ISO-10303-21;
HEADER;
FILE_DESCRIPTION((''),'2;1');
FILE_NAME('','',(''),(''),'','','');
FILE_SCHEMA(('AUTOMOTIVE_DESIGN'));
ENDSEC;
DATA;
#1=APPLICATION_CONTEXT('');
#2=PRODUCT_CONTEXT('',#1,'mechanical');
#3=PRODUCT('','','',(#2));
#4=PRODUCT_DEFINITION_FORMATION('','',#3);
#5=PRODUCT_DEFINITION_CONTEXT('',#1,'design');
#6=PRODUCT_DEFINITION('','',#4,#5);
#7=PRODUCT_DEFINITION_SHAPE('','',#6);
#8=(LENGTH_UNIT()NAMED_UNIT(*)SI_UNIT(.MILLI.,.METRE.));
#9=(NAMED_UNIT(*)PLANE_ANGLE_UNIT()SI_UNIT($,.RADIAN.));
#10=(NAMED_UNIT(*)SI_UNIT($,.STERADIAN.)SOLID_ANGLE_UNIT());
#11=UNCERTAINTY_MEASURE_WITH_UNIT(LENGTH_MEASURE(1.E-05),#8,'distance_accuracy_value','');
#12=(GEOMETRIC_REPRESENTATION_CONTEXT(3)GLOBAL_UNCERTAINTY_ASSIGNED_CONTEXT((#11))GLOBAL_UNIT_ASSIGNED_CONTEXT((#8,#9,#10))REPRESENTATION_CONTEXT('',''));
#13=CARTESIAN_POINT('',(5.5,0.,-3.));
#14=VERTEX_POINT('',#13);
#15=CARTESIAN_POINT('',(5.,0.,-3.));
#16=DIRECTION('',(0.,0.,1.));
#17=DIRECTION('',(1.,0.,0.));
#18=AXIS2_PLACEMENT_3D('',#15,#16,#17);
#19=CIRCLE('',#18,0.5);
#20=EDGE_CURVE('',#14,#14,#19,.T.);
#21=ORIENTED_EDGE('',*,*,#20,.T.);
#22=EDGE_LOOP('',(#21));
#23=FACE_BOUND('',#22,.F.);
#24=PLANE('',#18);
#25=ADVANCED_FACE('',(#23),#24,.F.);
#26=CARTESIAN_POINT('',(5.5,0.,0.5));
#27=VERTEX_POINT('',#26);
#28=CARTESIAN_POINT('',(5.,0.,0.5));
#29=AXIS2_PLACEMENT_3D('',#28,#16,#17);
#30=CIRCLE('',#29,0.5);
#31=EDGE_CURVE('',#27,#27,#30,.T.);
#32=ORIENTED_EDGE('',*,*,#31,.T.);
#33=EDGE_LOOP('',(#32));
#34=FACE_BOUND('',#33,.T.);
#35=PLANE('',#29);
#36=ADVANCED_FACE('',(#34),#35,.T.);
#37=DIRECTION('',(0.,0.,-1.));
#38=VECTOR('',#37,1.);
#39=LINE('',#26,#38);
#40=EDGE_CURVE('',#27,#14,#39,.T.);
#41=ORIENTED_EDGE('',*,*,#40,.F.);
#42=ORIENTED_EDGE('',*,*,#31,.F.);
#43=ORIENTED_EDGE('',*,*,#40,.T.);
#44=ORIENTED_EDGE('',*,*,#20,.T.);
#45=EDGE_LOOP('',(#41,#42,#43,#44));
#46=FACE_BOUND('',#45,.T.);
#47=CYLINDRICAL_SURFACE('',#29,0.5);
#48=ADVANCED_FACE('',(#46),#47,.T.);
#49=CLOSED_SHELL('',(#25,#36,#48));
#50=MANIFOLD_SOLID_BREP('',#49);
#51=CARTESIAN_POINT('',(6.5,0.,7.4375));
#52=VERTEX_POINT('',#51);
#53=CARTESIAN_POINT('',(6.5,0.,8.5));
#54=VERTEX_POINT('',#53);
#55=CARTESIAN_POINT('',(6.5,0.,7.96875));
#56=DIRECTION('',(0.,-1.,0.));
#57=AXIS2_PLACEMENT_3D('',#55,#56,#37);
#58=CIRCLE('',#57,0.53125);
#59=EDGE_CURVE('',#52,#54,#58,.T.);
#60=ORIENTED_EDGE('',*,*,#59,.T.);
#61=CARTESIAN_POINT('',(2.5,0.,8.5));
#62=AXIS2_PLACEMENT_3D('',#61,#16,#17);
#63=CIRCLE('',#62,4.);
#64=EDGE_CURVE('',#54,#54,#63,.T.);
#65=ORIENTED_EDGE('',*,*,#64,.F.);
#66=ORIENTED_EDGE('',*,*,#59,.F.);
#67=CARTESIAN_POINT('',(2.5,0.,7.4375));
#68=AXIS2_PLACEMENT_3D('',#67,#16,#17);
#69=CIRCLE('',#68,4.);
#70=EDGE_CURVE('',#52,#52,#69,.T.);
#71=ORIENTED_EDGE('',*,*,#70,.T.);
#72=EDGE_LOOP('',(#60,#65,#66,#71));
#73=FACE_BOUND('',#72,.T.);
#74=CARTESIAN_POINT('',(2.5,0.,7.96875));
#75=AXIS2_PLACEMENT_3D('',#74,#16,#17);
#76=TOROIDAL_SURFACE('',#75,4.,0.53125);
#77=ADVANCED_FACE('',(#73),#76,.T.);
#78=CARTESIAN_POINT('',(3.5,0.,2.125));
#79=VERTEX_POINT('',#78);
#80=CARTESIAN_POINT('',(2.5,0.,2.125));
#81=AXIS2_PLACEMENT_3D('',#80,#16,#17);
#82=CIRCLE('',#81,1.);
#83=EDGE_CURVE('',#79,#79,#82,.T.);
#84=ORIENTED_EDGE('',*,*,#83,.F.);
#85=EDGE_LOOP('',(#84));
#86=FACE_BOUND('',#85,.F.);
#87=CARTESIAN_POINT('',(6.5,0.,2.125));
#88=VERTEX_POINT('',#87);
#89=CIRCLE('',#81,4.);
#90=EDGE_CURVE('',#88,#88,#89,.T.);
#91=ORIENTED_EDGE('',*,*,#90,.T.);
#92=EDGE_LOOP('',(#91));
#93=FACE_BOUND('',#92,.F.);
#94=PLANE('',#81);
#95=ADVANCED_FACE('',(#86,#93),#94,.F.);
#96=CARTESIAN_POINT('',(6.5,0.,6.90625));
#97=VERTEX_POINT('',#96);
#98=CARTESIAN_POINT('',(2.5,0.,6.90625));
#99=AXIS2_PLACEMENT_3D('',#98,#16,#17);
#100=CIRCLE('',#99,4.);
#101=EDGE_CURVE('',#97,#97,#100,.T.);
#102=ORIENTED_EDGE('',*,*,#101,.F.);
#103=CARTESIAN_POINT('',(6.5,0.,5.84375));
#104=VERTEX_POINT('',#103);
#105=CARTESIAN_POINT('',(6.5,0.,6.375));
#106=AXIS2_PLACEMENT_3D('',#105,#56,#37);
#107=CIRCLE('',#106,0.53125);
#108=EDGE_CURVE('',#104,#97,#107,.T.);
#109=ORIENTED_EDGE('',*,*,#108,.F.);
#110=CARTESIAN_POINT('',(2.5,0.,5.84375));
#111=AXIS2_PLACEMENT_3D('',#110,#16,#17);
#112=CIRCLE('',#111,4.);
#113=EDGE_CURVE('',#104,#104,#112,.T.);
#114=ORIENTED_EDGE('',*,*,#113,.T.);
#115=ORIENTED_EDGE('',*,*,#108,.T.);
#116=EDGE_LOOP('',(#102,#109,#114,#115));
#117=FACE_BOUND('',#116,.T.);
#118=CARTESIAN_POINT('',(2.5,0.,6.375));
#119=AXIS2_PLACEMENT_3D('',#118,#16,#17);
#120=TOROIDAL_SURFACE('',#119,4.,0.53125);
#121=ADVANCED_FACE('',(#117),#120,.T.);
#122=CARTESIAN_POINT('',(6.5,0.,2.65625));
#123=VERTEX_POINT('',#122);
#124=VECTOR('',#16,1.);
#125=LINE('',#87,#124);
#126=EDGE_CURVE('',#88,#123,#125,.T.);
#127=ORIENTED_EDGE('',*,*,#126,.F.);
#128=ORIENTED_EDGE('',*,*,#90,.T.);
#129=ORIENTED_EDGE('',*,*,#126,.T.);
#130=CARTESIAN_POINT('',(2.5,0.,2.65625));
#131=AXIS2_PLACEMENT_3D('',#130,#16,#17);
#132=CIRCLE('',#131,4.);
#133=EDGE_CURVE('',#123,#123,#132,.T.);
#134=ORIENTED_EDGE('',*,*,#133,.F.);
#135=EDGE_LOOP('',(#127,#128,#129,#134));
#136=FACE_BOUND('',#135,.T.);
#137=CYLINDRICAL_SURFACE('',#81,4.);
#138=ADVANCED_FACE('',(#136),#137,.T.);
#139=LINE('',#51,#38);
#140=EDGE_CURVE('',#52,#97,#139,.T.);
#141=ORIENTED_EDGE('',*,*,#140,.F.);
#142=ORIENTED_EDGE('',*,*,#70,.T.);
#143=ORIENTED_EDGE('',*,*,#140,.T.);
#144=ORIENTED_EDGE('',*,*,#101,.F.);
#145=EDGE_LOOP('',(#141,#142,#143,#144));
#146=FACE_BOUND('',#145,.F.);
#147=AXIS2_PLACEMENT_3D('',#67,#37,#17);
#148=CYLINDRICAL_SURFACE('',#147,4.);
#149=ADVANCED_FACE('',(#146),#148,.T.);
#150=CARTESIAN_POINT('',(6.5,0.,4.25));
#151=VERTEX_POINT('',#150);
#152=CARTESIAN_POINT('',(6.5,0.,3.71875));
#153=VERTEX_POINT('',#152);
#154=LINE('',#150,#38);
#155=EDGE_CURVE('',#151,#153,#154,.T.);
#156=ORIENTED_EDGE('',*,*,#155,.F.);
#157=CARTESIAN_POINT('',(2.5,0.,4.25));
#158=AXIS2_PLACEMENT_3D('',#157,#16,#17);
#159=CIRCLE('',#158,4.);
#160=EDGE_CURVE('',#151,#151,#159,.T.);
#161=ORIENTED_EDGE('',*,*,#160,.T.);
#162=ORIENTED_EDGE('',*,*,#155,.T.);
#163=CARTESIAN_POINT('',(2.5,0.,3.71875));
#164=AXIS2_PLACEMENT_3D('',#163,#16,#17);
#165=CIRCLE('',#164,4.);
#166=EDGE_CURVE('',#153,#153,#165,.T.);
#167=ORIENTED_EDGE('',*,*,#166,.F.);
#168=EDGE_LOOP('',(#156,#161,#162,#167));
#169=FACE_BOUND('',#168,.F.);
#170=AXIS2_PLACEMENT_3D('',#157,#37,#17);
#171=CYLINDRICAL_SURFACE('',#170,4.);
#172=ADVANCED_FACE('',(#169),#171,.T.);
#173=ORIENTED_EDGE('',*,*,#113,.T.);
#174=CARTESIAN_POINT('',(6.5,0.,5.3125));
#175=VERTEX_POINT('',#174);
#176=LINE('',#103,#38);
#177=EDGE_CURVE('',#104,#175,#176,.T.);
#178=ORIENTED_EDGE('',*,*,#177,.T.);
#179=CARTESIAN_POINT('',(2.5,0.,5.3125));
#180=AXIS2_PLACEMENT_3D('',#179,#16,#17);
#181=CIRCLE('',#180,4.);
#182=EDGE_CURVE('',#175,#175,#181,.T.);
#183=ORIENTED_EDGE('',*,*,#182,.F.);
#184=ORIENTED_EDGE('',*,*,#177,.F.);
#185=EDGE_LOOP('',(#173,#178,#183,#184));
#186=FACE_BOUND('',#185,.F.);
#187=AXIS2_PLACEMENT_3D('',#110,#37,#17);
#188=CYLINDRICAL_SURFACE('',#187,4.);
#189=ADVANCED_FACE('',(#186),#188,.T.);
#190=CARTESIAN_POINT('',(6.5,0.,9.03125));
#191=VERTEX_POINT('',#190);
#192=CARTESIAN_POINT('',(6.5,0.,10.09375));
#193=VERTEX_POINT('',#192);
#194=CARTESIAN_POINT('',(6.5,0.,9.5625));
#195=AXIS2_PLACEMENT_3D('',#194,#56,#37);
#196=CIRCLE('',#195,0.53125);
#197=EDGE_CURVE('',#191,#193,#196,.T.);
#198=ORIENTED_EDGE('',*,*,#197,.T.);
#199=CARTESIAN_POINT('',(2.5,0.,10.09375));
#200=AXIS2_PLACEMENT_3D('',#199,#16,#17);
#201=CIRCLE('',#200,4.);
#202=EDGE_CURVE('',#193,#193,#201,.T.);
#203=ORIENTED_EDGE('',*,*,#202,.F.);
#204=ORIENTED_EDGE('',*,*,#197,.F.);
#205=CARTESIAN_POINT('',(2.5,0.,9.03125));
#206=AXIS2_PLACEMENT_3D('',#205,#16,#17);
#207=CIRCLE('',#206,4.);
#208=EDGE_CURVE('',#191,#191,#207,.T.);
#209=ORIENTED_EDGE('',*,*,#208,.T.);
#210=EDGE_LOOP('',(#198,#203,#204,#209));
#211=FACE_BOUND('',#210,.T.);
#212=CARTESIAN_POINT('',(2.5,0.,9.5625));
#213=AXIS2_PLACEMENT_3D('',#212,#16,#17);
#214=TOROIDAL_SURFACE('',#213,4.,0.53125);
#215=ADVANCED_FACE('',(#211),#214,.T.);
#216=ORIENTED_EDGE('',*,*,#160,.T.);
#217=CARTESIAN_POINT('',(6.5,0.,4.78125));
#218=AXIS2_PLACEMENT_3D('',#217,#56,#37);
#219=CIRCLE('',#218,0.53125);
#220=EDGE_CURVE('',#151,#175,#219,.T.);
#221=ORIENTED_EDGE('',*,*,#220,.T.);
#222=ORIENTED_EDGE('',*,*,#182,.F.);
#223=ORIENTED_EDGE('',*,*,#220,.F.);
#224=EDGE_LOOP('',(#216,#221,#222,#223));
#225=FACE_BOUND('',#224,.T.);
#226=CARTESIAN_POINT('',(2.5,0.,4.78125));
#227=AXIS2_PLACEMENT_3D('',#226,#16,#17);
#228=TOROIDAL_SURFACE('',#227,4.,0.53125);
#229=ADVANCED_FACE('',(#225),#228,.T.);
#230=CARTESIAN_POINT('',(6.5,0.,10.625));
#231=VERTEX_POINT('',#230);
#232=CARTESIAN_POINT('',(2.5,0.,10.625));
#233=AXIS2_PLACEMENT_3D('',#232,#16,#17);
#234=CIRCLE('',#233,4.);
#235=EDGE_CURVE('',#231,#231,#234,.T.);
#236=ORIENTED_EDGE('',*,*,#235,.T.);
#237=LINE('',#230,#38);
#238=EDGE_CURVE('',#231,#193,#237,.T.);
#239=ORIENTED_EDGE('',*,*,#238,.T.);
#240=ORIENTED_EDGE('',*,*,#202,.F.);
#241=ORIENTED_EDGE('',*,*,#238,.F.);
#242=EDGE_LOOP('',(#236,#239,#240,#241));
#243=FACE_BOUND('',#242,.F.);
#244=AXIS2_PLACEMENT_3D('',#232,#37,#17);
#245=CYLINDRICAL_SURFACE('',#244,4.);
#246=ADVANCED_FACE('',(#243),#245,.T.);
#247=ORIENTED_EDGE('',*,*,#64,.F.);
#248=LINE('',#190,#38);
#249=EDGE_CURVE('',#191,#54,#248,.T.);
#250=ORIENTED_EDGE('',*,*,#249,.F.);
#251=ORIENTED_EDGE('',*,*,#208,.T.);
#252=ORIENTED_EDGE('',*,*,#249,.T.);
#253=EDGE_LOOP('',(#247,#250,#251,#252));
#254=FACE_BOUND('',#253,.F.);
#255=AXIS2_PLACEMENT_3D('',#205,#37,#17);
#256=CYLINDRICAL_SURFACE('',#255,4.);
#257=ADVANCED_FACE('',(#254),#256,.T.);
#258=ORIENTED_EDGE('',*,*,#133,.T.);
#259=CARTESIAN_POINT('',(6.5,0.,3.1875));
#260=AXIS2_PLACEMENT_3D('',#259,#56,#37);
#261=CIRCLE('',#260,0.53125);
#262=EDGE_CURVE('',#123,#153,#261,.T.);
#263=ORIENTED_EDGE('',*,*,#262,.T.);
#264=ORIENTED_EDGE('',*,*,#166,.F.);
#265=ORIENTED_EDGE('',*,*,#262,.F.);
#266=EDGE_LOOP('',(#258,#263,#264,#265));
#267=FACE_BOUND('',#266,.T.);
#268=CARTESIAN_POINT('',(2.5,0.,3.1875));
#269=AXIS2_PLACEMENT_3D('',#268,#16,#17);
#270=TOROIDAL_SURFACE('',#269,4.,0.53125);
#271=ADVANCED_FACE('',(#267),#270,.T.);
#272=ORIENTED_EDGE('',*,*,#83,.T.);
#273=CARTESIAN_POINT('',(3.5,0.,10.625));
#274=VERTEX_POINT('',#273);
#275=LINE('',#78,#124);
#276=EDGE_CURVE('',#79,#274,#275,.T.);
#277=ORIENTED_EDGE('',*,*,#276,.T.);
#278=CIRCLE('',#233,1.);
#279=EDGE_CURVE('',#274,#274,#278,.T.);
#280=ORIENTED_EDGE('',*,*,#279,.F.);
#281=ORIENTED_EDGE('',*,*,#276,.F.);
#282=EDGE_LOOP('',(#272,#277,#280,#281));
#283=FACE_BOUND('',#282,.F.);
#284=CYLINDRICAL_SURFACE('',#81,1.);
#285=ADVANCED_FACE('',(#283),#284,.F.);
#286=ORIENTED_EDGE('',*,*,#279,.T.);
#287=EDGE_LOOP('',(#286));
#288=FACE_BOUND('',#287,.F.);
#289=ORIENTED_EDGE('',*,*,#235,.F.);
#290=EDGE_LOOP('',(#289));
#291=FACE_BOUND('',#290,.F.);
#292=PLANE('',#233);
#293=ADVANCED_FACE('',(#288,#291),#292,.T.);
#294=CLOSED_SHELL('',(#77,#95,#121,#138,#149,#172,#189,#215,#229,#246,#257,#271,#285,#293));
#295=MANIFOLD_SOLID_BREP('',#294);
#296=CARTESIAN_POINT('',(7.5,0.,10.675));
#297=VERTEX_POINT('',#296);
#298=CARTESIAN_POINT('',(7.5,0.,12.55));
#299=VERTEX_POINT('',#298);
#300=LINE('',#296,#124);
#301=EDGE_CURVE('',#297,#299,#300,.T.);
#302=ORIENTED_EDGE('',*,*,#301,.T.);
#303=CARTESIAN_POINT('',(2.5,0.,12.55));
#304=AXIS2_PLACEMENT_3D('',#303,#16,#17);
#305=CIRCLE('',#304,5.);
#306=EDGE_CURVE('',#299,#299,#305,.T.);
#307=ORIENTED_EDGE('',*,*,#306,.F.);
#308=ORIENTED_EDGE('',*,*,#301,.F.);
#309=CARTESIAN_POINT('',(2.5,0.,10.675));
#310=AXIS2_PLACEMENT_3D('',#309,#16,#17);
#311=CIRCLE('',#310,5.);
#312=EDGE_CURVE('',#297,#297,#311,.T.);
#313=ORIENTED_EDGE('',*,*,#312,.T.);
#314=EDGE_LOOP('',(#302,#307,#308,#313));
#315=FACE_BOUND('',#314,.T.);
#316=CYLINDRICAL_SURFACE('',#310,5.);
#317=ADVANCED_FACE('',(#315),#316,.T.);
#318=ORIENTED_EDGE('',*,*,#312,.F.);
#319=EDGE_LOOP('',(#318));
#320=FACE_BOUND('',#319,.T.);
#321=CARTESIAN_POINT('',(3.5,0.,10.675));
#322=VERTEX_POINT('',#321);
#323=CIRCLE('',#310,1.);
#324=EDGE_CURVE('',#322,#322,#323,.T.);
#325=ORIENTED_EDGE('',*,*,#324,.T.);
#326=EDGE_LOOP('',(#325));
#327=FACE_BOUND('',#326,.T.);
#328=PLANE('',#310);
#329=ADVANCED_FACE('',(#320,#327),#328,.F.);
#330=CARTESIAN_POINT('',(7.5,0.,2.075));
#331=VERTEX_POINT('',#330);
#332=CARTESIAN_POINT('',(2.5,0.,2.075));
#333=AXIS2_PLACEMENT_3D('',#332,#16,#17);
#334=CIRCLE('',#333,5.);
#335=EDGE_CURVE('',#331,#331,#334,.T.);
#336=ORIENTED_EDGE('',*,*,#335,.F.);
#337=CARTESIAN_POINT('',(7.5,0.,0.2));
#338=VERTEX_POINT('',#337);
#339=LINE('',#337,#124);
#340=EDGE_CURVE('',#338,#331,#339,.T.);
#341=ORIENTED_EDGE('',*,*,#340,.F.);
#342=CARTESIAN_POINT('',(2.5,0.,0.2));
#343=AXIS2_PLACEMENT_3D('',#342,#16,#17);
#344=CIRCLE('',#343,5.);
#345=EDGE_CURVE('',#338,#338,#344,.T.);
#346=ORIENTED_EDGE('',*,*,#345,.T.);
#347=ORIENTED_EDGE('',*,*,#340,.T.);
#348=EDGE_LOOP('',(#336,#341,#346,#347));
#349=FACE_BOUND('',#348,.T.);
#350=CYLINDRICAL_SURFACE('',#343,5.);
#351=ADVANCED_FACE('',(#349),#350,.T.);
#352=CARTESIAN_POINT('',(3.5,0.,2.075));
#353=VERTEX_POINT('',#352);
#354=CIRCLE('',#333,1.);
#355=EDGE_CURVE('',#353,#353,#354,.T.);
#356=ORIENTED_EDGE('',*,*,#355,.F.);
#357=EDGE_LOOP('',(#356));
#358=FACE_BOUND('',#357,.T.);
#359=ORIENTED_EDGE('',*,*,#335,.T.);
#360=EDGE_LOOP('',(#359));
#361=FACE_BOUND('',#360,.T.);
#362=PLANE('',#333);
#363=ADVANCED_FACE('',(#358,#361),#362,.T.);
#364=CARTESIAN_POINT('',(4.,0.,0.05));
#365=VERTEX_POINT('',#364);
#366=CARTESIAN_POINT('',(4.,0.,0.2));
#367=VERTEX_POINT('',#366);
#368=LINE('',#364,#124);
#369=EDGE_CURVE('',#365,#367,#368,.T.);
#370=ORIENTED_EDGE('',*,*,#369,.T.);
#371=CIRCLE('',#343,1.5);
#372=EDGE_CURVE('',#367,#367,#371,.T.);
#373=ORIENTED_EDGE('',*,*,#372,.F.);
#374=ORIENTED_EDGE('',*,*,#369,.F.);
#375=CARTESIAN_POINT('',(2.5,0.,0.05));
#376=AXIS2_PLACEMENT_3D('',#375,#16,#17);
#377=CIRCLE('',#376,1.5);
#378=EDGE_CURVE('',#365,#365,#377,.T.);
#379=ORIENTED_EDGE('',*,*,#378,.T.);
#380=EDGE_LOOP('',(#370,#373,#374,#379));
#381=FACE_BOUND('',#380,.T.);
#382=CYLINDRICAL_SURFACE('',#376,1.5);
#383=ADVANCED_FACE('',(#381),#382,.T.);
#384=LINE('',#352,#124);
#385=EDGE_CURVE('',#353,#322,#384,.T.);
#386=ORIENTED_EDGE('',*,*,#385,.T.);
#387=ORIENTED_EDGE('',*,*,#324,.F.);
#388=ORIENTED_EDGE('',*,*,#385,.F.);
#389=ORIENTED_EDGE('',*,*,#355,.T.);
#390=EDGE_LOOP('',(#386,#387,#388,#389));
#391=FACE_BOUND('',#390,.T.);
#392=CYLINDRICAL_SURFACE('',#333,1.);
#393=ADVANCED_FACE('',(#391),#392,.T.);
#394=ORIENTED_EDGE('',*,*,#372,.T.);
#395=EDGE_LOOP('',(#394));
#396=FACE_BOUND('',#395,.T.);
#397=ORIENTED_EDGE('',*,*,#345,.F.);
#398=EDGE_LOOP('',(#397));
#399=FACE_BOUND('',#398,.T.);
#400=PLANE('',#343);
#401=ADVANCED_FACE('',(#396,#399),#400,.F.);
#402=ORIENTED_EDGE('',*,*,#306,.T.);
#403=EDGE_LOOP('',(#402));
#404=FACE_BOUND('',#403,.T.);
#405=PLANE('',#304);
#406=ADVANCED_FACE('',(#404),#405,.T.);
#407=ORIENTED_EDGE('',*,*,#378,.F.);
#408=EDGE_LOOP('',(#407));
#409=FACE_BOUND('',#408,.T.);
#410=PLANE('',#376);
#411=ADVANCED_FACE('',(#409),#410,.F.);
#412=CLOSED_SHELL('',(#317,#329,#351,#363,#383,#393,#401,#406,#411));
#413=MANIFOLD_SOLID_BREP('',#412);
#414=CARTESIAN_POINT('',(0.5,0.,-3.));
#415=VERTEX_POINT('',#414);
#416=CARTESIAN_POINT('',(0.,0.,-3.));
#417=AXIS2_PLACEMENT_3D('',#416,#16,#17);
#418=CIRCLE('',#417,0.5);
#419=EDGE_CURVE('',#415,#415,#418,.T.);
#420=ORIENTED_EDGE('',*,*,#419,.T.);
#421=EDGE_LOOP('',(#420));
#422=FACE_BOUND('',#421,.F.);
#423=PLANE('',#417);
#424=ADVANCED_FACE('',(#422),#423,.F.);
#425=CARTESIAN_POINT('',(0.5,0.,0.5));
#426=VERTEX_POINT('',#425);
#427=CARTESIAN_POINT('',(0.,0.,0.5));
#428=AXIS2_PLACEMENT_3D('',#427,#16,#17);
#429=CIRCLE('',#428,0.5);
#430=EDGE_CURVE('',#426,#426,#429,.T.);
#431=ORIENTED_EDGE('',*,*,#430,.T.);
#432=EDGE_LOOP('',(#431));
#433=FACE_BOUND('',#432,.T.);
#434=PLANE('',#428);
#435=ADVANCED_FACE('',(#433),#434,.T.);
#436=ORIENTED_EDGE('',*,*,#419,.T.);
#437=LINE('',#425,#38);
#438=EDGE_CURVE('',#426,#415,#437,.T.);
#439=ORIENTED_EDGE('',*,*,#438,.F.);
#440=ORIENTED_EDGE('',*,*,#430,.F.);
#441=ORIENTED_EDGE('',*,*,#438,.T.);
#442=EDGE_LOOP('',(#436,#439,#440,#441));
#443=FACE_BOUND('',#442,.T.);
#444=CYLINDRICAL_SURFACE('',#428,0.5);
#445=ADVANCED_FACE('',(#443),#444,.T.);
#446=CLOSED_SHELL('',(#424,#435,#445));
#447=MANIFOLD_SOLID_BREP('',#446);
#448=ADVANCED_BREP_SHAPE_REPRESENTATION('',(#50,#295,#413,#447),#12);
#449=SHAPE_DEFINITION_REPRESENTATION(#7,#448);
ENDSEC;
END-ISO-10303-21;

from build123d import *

# Parameters (mm, degrees)
SKETCH001_R  = 0.5
PAD001_DEPTH = 3.5


with BuildPart() as pad001:
    # Sketch001 → Pad001 (new body)
    with BuildSketch(Plane.XY.offset(0.5)):
        Circle(SKETCH001_R)
        with Locations((5, 0)):
            Circle(SKETCH001_R)
    extrude(amount=-PAD001_DEPTH)


with BuildPart() as revolution:
    # Sketch → Revolution (revolve)
    with BuildSketch(Plane(origin=(2.5, 0, 0), x_dir=(1, 0, 0), z_dir=(0, -1, 0))):
        Polygon((0, 0.05), (1.5, 0.05), (1.5, 0.2), (5, 0.2), (5, 2.075), (1, 2.075), (1, 10.675), (5, 10.675), (5, 12.55), (0, 12.55), align=None)
    revolve(axis=Axis((2.5, 0, 0), (0, 0, 1)))


with BuildPart() as revolution001:
    # Sketch002 → Revolution001 (revolve)
    with BuildSketch(Plane(origin=(2.5, 0, 0), x_dir=(1, 0, 0), z_dir=(0, -1, 0))):
        with BuildLine():
            Line((4, 2.125), (1, 2.125))
            Line((1, 2.125), (1, 10.625))
            Line((1, 10.625), (4, 10.625))
            Line((4, 10.625), (4, 10.09375))
            ThreePointArc((4, 9.03125), (4.53125, 9.5625), (4, 10.09375))
            Line((4, 9.03125), (4, 8.5))
            ThreePointArc((4, 7.4375), (4.53125, 7.96875), (4, 8.5))
            Line((4, 7.4375), (4, 6.90625))
            ThreePointArc((4, 5.84375), (4.53125, 6.375), (4, 6.90625))
            Line((4, 5.84375), (4, 5.3125))
            ThreePointArc((4, 4.25), (4.53125, 4.78125), (4, 5.3125))
            Line((4, 4.25), (4, 3.71875))
            ThreePointArc((4, 2.65625), (4.53125, 3.1875), (4, 3.71875))
            Line((4, 2.125), (4, 2.65625))
        make_face()
    revolve(axis=Axis((2.5, 0, 0), (0, 0, 1)))


solid = Compound([pad001.part, revolution.part, revolution001.part])
